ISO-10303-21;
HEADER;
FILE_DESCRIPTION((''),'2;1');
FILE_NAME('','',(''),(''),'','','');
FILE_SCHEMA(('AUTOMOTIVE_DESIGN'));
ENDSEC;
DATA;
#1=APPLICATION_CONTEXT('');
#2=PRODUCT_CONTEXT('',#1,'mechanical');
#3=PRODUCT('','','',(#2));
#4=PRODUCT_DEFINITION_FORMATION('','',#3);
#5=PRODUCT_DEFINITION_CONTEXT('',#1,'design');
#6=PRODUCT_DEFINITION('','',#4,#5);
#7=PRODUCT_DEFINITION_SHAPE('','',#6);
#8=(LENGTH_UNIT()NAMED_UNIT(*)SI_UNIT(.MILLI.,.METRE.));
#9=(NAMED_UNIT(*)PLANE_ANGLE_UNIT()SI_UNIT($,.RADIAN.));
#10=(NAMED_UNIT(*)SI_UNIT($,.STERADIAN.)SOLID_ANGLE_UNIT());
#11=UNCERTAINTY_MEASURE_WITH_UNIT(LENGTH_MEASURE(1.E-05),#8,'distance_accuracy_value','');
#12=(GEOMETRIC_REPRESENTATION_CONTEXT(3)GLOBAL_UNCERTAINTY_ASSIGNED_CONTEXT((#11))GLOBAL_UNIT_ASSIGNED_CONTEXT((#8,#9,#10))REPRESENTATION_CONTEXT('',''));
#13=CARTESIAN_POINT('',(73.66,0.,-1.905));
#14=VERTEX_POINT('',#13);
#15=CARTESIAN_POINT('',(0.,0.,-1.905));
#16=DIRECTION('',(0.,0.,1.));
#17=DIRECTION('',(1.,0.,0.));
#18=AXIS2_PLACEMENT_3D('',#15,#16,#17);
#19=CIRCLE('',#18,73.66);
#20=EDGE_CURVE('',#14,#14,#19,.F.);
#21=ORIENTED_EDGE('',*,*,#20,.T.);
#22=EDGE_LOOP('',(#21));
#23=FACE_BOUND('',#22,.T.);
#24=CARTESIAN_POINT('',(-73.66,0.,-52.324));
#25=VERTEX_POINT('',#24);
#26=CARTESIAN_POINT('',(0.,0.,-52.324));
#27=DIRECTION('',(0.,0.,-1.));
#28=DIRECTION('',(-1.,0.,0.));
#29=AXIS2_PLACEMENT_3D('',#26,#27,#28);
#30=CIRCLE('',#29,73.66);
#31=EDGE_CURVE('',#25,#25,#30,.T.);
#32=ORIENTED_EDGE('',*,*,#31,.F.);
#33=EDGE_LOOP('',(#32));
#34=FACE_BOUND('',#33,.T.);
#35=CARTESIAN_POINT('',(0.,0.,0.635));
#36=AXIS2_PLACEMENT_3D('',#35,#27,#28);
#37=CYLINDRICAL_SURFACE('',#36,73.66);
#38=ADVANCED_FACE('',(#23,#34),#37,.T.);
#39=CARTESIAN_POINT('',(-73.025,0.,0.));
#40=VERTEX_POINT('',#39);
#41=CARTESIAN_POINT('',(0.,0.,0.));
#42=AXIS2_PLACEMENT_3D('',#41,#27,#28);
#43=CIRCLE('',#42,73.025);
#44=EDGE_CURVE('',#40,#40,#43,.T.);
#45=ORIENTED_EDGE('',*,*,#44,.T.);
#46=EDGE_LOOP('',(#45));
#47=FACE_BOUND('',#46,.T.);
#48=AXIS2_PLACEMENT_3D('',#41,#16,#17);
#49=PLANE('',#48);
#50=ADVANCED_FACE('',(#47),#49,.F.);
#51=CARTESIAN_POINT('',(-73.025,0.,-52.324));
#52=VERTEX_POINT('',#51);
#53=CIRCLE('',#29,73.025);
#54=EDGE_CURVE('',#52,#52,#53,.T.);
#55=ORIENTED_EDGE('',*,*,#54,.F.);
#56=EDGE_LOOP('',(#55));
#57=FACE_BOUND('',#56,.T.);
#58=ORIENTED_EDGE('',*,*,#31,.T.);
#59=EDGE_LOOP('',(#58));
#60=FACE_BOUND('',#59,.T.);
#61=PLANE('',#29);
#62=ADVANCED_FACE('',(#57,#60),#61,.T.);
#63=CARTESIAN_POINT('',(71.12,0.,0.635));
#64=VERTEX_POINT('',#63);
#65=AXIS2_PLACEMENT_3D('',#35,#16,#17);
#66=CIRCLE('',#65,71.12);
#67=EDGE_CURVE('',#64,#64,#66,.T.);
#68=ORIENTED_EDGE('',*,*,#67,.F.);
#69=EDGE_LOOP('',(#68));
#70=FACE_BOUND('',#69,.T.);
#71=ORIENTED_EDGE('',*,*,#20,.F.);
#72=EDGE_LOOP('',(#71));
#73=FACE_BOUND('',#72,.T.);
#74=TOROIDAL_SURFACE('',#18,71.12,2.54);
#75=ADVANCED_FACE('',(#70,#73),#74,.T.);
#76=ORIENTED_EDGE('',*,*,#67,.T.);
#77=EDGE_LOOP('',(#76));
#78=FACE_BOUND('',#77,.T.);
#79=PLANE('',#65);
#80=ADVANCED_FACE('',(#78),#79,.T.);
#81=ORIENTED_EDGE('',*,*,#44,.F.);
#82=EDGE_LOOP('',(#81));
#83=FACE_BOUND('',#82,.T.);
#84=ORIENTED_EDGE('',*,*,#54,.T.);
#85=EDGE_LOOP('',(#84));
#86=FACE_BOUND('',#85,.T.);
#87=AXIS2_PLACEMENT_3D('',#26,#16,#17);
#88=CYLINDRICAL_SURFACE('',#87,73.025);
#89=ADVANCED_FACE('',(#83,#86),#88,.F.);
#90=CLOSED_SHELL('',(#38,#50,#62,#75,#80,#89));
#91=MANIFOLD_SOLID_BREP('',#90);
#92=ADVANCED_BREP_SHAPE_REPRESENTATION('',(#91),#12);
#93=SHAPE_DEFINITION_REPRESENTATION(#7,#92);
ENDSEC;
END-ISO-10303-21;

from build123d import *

# Parameters (mm, degrees)
SKETCH1_R           = 73.66
BOSS_EXTRUDE1_DEPTH = 0.635
BOSS_EXTRUDE2_START = 52.324
SKETCH2_R           = 73.66
SKETCH2_R_2         = 73.025
BOSS_EXTRUDE2_DEPTH = 52.324
FILLET1_R           = 2.54


with BuildPart() as part:
    # Sketch1 → Boss-Extrude1 (new body)
    with BuildSketch(Plane.XY):
        Circle(SKETCH1_R)
    extrude(amount=BOSS_EXTRUDE1_DEPTH)

    # Sketch2 → Boss-Extrude2 (add)
    with BuildSketch(Plane(origin=(0, 0, 0), x_dir=(-1, 0, 0), z_dir=(0, 0, -1)).offset(BOSS_EXTRUDE2_START)):
        Circle(SKETCH2_R)
        Circle(SKETCH2_R_2, mode=Mode.SUBTRACT)
    extrude(amount=-BOSS_EXTRUDE2_DEPTH)

    # Fillet1
    fillet1_edges = [part.edges().sort_by_distance(p)[0] for p in [
        (-73.66, 0, 0.635),
    ]]
    fillet(fillet1_edges, radius=FILLET1_R)


solid = part.part
